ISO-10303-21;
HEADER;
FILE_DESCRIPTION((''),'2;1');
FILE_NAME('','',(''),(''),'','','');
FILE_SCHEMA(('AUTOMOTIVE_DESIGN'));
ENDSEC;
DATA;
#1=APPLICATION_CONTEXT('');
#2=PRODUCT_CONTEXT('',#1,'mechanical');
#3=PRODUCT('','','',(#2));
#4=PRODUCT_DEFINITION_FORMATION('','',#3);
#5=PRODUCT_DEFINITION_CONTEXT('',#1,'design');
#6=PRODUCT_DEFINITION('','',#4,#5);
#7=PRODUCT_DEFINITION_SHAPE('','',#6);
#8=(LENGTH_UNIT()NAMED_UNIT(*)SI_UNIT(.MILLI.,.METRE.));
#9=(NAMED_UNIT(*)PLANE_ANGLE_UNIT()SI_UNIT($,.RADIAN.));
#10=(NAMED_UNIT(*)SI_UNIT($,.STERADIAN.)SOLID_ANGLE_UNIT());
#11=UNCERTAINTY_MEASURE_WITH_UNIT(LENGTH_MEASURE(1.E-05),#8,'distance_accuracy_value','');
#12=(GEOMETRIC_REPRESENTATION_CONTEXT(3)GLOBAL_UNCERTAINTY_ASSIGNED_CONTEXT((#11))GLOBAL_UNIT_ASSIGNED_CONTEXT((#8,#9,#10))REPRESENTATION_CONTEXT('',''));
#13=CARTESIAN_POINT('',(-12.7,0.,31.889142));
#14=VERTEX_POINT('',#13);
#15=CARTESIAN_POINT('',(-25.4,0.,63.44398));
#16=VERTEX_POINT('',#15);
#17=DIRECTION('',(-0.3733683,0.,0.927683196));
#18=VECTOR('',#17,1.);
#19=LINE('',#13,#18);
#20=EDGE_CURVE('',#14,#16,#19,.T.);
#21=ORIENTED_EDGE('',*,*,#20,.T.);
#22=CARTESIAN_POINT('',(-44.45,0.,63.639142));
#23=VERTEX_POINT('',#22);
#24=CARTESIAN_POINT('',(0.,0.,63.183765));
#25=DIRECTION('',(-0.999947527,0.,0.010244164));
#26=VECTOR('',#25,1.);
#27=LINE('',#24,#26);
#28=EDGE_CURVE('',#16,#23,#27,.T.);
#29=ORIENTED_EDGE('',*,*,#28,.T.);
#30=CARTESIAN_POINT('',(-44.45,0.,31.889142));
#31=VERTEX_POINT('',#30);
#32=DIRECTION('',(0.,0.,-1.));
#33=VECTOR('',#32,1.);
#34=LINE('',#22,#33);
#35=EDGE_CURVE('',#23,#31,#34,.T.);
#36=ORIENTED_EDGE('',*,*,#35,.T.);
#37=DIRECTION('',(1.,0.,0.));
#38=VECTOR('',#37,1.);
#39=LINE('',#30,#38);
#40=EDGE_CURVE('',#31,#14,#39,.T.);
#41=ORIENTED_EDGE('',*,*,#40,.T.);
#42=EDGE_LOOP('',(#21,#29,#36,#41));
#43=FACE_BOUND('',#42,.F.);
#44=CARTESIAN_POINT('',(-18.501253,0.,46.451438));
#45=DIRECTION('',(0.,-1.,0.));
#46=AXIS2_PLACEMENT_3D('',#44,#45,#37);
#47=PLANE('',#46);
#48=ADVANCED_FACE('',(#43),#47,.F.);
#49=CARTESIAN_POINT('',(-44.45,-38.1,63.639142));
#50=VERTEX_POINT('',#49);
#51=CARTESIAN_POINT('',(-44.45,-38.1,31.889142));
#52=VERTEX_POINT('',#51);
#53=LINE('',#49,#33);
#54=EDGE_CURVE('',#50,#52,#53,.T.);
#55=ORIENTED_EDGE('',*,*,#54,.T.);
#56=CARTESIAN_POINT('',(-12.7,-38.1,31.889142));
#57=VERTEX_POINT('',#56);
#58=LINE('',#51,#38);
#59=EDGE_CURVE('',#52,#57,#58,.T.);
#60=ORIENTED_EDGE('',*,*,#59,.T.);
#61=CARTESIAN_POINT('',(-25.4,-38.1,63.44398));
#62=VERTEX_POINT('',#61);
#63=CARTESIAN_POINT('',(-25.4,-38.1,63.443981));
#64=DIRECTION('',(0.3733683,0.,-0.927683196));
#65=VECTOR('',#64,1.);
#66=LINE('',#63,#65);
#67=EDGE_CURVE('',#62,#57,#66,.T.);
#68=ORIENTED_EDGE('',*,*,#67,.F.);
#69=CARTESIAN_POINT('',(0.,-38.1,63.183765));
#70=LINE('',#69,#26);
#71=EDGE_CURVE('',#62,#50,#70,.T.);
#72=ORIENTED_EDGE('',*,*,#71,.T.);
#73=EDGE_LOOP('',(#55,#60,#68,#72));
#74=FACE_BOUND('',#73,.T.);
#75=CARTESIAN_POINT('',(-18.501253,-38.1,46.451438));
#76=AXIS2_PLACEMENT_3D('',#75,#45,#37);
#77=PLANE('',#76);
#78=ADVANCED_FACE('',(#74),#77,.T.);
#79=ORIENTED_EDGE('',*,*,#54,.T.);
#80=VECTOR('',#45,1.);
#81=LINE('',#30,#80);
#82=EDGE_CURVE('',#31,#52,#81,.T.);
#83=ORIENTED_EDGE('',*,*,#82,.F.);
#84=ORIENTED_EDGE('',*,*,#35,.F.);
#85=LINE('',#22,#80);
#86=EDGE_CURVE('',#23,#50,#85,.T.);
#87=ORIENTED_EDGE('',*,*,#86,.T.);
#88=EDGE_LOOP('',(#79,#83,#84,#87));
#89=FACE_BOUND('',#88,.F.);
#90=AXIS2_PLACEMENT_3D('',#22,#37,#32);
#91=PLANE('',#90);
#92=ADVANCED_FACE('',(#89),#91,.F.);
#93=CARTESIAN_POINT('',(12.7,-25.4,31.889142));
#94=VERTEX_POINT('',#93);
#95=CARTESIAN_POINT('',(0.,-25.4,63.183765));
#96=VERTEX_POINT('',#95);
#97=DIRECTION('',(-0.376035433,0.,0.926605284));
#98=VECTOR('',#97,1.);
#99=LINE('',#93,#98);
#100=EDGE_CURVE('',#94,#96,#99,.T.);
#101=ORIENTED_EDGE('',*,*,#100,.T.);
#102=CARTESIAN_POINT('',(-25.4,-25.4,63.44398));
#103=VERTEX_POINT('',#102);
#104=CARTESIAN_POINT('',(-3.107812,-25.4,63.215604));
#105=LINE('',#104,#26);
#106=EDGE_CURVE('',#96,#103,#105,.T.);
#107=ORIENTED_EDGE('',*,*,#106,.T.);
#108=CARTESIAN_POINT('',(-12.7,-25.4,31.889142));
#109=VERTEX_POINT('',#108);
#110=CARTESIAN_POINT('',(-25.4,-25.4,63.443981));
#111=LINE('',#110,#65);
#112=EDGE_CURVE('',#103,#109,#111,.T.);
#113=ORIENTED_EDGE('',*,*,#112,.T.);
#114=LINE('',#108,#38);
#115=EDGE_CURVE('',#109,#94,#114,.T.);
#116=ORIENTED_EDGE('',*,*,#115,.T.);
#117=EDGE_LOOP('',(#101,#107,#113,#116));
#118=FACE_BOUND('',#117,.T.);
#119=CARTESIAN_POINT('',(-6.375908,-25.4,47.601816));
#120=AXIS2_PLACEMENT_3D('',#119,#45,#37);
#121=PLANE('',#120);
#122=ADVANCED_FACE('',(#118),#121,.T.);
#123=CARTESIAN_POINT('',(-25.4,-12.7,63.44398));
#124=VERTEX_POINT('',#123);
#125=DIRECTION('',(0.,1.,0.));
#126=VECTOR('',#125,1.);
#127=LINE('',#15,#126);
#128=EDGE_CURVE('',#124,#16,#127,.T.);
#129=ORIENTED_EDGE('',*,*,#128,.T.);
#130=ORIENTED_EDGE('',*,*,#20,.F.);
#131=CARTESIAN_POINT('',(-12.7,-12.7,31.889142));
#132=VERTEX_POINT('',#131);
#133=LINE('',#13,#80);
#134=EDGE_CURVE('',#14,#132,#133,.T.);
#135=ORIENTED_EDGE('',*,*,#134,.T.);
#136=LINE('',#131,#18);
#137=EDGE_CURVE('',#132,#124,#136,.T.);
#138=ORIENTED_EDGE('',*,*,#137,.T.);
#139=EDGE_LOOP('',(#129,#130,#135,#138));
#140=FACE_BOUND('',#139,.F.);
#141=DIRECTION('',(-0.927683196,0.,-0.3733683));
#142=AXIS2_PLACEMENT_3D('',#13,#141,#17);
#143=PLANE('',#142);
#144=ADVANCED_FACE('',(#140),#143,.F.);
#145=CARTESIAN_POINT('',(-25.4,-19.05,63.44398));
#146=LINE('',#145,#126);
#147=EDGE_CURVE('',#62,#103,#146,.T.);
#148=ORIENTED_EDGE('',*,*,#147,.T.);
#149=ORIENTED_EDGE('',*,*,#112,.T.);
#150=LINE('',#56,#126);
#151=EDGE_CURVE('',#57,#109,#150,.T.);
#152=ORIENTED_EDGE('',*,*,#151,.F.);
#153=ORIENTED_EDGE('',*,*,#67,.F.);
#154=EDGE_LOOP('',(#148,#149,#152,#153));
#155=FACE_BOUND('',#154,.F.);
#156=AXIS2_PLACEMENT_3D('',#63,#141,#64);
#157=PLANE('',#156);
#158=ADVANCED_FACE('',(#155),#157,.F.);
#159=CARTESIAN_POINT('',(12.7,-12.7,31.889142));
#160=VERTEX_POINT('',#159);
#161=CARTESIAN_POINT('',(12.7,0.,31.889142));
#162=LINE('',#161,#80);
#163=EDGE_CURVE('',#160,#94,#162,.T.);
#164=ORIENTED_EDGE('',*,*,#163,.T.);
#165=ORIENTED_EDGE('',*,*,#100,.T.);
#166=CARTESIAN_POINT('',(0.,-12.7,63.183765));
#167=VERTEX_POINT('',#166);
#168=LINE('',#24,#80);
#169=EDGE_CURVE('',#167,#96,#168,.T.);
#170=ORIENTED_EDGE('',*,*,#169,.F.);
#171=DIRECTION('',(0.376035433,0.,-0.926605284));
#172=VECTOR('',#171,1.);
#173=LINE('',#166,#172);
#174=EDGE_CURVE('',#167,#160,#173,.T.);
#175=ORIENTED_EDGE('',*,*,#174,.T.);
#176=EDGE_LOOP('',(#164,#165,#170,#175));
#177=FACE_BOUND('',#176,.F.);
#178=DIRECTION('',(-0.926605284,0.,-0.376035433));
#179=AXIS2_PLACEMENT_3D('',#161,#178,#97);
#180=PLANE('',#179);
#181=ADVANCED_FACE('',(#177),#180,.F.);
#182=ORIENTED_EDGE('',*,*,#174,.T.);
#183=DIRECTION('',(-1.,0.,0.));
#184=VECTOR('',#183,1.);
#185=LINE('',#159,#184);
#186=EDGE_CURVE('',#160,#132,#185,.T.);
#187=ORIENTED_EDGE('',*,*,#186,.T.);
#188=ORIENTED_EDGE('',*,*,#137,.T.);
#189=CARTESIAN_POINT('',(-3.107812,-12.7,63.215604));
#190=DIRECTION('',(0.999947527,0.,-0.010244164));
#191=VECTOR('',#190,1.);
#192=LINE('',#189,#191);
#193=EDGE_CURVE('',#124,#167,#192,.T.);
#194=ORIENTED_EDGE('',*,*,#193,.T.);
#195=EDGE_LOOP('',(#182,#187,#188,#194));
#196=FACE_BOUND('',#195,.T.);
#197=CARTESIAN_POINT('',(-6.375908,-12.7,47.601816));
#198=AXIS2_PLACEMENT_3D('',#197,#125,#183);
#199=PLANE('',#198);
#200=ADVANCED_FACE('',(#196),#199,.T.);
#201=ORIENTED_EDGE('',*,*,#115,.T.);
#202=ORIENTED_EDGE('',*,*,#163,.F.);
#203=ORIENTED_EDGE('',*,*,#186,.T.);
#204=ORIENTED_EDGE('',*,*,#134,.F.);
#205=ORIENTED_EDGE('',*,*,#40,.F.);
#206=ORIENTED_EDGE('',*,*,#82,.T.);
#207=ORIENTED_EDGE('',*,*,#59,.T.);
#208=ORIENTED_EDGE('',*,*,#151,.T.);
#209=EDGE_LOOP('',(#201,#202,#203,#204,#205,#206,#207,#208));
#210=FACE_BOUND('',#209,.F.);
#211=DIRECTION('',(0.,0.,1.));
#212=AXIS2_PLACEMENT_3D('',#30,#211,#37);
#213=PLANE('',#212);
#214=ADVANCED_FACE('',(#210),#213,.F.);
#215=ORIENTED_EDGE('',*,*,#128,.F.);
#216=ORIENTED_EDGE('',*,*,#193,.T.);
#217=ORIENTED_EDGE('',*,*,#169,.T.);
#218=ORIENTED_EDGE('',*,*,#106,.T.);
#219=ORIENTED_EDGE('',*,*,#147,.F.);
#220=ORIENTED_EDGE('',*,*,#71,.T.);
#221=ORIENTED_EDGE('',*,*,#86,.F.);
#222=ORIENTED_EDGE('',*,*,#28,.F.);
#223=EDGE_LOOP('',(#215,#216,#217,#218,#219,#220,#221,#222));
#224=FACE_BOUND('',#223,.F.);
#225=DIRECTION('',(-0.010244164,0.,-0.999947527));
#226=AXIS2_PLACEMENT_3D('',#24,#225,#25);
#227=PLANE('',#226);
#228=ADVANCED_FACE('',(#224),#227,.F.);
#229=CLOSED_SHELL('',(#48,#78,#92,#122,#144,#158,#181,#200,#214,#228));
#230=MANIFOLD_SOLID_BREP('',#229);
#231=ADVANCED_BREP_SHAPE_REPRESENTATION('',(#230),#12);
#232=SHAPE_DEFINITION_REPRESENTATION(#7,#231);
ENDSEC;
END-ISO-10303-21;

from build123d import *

# Parameters (mm, degrees)
F1_DEPTH = 38.1
F3_DEPTH = 12.7
F5_DEPTH = 12.7


with BuildPart() as f1:
    # F0 (on Front) → F1 (new body)
    with BuildSketch(Plane.XZ):
        Polygon((0, 63.183765), (-44.45, 63.639142), (-44.45, 31.889142), (12.7, 31.889142), align=None)
    extrude(amount=F1_DEPTH)

    # F2 (on face) → F3 (cut)
    with BuildSketch(Plane.XZ.offset(38.1)):
        Polygon((0, 63.183765), (-25.4, 63.443981), (-12.7, 31.889142), (12.7, 31.889142), align=None)
    extrude(amount=-F3_DEPTH, mode=Mode.SUBTRACT)

    # F4 (on face) → F5 (cut)
    with BuildSketch(Plane(origin=(0, 0, 0), x_dir=(-1, 0, 0), z_dir=(0, 1, 0))):
        Polygon((12.7, 31.889142), (25.4, 63.443981), (0, 63.183765), (-12.7, 31.889142), align=None)
    extrude(amount=-F5_DEPTH, mode=Mode.SUBTRACT)


solid = f1.part
